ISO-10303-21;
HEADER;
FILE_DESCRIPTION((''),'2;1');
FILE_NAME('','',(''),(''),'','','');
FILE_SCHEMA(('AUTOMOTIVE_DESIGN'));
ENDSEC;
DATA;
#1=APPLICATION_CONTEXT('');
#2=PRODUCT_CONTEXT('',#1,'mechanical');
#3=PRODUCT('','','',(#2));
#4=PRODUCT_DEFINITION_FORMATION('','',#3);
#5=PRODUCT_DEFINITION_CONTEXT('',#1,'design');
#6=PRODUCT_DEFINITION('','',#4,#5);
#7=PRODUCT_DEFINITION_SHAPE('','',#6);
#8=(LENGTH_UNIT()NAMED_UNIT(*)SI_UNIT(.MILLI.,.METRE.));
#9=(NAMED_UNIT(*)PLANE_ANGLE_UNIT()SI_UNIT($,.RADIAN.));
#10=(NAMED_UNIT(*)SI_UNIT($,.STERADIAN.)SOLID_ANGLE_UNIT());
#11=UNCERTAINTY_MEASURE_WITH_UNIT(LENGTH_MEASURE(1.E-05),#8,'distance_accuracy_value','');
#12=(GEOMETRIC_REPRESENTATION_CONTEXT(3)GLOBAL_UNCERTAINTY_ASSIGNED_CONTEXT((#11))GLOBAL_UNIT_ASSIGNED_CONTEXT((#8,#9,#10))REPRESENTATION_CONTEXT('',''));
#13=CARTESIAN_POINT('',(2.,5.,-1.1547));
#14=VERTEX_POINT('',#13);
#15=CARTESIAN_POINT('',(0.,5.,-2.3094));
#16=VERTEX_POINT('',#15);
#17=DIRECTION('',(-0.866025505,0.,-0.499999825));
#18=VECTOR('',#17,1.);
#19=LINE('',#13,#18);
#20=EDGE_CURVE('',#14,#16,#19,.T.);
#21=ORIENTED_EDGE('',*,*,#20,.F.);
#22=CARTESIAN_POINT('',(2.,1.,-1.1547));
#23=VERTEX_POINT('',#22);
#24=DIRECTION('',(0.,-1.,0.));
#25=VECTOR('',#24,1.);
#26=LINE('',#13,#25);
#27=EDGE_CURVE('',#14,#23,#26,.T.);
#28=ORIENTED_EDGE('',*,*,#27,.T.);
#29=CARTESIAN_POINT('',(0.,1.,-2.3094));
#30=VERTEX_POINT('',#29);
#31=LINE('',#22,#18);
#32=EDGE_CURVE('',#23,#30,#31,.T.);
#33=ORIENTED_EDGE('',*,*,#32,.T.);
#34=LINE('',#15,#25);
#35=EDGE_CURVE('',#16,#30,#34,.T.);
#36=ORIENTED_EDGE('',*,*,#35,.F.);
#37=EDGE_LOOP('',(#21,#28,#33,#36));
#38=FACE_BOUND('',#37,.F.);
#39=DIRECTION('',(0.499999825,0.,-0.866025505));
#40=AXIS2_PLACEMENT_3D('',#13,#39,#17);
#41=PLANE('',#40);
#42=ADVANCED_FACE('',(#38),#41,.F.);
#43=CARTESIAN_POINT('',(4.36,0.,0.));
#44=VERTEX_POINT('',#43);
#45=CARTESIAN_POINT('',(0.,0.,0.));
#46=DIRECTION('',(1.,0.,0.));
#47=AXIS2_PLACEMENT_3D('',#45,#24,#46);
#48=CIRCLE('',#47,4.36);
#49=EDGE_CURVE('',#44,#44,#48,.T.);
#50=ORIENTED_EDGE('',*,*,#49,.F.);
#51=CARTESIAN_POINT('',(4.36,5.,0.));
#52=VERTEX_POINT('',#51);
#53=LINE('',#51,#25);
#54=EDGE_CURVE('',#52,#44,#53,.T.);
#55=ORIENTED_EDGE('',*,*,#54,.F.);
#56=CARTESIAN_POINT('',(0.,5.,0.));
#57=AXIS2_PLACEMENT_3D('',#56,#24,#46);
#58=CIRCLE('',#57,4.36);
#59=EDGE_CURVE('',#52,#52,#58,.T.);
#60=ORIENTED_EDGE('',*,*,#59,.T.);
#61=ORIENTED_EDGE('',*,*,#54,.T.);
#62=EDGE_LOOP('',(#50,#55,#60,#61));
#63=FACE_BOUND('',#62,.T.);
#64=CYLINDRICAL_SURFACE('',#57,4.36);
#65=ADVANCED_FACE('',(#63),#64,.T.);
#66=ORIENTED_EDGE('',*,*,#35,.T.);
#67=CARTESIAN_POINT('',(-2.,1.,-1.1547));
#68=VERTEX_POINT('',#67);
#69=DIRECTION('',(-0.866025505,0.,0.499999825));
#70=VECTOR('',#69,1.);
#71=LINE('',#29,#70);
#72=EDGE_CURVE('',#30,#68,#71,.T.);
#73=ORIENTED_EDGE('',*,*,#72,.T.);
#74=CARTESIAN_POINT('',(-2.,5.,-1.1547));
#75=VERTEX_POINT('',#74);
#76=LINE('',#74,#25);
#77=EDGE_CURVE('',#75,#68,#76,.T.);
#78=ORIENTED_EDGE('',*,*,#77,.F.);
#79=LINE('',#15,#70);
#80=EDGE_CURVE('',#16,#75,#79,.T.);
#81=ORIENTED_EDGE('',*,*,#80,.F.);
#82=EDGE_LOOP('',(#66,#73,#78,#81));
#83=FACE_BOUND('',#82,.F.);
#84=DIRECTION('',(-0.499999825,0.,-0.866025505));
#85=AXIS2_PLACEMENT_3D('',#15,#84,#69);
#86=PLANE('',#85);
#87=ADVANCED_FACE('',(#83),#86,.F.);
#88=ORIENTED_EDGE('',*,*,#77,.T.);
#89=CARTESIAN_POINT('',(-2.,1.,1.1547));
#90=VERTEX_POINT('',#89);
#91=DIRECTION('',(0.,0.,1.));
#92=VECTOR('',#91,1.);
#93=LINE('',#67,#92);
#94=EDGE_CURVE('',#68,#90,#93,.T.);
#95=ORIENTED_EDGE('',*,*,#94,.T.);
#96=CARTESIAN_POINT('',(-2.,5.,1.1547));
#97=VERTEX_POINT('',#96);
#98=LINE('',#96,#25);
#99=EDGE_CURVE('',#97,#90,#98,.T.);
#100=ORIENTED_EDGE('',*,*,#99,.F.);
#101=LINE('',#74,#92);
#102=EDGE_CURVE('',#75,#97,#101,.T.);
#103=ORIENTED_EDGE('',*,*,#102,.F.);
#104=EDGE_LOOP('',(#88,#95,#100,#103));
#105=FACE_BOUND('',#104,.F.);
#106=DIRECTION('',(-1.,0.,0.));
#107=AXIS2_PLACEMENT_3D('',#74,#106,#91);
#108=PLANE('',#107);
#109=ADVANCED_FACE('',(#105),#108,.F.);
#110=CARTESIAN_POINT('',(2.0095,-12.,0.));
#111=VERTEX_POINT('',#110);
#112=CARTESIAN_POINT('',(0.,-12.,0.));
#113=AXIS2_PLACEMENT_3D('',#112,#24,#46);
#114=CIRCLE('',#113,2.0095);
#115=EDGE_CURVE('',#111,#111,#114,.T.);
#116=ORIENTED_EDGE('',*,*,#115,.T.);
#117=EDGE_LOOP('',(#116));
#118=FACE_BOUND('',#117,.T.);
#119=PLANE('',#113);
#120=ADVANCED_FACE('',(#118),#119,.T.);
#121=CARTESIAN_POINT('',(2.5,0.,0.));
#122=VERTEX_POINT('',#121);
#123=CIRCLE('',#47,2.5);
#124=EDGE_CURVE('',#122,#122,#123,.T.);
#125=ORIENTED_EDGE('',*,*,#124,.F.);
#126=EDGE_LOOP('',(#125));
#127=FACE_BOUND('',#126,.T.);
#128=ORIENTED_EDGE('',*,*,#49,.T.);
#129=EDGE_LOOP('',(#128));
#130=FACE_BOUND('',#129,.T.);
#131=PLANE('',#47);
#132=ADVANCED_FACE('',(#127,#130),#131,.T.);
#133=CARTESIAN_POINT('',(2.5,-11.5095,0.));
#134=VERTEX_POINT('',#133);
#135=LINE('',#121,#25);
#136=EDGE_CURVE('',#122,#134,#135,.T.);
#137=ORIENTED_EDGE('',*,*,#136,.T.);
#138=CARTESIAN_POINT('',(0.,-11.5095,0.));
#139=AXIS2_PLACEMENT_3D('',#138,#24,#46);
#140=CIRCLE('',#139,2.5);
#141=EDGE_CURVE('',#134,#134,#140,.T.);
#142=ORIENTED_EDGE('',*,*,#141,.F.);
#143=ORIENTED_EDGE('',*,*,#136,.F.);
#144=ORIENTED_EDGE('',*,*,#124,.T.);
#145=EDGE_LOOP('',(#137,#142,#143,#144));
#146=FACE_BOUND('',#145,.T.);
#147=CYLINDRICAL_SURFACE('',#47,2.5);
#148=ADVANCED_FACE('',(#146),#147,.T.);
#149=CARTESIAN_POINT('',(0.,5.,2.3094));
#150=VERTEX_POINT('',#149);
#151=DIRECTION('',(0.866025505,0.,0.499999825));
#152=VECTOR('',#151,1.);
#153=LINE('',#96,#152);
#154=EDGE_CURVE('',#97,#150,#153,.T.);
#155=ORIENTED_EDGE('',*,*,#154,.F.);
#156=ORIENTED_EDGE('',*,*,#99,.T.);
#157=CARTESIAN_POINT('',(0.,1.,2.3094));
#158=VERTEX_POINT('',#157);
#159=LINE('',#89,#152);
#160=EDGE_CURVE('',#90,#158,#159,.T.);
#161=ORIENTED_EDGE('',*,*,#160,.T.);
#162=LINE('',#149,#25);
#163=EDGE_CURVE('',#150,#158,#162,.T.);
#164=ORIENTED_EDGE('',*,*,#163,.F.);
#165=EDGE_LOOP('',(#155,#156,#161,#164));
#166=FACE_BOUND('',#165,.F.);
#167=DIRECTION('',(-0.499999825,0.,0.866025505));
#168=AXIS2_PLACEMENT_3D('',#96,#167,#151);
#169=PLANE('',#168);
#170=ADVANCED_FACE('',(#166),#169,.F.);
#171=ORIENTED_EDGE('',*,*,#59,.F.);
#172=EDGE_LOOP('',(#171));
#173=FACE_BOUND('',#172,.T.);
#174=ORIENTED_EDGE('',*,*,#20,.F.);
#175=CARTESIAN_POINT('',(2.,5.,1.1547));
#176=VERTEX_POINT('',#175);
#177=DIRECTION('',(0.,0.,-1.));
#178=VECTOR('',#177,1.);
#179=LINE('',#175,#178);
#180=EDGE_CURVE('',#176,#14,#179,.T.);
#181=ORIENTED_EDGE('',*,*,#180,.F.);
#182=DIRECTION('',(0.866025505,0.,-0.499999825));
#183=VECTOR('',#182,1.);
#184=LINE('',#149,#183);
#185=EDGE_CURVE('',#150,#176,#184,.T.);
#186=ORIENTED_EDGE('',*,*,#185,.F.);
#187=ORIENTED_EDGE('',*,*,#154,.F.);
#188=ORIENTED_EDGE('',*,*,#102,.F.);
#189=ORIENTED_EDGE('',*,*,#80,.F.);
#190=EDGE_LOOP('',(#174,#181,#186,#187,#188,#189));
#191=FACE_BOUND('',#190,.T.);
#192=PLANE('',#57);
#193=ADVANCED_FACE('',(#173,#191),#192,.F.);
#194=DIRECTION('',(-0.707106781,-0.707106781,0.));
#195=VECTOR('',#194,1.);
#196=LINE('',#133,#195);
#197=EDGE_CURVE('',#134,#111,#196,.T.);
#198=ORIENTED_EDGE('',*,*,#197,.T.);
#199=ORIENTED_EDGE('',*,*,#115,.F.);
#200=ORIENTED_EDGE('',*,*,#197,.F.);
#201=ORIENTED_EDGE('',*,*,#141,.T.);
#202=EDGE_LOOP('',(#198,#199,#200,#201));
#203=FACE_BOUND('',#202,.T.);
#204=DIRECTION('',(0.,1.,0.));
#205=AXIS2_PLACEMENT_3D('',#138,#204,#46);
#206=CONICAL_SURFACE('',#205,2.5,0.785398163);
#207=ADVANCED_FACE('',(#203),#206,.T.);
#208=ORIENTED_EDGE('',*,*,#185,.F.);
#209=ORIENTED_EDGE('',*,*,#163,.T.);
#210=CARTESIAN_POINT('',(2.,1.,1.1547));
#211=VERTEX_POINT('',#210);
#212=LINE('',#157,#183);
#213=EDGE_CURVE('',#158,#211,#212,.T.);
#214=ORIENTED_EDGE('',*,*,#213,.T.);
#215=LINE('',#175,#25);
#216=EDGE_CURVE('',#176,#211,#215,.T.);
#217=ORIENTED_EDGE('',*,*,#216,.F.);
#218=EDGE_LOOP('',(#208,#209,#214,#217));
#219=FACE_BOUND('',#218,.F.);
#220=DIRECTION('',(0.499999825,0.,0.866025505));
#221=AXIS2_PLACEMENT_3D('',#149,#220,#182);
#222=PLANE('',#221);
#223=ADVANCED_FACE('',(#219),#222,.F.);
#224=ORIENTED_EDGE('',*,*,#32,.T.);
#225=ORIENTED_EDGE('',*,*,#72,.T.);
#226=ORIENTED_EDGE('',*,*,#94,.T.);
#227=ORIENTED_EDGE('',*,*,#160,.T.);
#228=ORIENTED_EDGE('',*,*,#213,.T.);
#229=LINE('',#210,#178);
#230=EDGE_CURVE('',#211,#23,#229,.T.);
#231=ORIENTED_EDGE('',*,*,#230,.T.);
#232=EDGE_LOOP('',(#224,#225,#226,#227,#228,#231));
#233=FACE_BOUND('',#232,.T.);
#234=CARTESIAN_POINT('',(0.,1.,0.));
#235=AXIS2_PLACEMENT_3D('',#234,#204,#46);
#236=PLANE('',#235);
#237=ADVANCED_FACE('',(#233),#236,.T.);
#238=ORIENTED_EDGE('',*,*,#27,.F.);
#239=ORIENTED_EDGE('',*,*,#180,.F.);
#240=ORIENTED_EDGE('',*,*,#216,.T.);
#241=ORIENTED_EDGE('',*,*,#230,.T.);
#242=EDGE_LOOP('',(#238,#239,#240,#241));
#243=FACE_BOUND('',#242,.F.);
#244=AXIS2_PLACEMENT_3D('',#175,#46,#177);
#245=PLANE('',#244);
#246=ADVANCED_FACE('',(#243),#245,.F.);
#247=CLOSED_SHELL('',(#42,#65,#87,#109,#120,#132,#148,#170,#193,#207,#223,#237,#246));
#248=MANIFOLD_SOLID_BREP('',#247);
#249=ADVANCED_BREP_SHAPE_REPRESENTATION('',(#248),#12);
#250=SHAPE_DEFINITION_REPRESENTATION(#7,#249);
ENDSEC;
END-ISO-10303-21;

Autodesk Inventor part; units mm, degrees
sketch "Sketch_1" plane through (0, 0, 0) normal (0, 0, 1) x (1, 0, 0)
  line L0 (0, -12) -> (0, 5)
  line L1 (0, 5) -> (4.36, 5)
  line L2 (4.36, 5) -> (4.36, 0)
  line L3 (4.36, 0) -> (2.5, 0)
  line L4 (2.5, 0) -> (2.5, -11.5095)
  line L5 (2.5, -11.5095) -> (2.0095, -12)
  line L6 (2.0095, -12) -> (0, -12)
  line L7 (0, -12) -> (0, 5)
revolve "Revolution1" add sketch "Sketch_1" angle 360 about axis through (0, -12, 0) along (0, -1, 0)
thread "Thread1" size "M5x0.8" class "6g" standard "ISO Metric profile" length 10.5095
sketch "Sketch_2" plane through (0, 5, 0) normal (0, 1, 0) x (1, 0, 0)
  line L0 (-2, -1.1547) -> (0, -2.3094)
  line L1 (0, -2.3094) -> (2, -1.1547)
  line L2 (2, -1.1547) -> (2, 1.1547)
  line L3 (2, 1.1547) -> (0, 2.3094)
  line L4 (0, 2.3094) -> (-2, 1.1547)
  line L5 (-2, 1.1547) -> (-2, -1.1547)
extrude "Extrusion1" cut sketch "Sketch_2" against normal blind 4
ref_plane "1_XY" through (0, 0, 0) normal (0, 1, 0) x (1, 0, 0)
ref_plane "1_YZ" through (0, 0, 0) normal (1, 0, 0) x (0, 0, -1)
ref_plane "1_ZX" through (0, 0, 0) normal (0, 0, -1) x (0, 1, 0)
ref_plane "2_XY" through (0, -12, 0) normal (0, 1, 0) x (1, 0, 0)
ref_plane "2_YZ" through (0, -12, 0) normal (1, 0, 0) x (0, 0, -1)
ref_plane "2_ZX" through (0, -12, 0) normal (0, 0, -1) x (0, 1, 0)
properties part number "11-5512_"
